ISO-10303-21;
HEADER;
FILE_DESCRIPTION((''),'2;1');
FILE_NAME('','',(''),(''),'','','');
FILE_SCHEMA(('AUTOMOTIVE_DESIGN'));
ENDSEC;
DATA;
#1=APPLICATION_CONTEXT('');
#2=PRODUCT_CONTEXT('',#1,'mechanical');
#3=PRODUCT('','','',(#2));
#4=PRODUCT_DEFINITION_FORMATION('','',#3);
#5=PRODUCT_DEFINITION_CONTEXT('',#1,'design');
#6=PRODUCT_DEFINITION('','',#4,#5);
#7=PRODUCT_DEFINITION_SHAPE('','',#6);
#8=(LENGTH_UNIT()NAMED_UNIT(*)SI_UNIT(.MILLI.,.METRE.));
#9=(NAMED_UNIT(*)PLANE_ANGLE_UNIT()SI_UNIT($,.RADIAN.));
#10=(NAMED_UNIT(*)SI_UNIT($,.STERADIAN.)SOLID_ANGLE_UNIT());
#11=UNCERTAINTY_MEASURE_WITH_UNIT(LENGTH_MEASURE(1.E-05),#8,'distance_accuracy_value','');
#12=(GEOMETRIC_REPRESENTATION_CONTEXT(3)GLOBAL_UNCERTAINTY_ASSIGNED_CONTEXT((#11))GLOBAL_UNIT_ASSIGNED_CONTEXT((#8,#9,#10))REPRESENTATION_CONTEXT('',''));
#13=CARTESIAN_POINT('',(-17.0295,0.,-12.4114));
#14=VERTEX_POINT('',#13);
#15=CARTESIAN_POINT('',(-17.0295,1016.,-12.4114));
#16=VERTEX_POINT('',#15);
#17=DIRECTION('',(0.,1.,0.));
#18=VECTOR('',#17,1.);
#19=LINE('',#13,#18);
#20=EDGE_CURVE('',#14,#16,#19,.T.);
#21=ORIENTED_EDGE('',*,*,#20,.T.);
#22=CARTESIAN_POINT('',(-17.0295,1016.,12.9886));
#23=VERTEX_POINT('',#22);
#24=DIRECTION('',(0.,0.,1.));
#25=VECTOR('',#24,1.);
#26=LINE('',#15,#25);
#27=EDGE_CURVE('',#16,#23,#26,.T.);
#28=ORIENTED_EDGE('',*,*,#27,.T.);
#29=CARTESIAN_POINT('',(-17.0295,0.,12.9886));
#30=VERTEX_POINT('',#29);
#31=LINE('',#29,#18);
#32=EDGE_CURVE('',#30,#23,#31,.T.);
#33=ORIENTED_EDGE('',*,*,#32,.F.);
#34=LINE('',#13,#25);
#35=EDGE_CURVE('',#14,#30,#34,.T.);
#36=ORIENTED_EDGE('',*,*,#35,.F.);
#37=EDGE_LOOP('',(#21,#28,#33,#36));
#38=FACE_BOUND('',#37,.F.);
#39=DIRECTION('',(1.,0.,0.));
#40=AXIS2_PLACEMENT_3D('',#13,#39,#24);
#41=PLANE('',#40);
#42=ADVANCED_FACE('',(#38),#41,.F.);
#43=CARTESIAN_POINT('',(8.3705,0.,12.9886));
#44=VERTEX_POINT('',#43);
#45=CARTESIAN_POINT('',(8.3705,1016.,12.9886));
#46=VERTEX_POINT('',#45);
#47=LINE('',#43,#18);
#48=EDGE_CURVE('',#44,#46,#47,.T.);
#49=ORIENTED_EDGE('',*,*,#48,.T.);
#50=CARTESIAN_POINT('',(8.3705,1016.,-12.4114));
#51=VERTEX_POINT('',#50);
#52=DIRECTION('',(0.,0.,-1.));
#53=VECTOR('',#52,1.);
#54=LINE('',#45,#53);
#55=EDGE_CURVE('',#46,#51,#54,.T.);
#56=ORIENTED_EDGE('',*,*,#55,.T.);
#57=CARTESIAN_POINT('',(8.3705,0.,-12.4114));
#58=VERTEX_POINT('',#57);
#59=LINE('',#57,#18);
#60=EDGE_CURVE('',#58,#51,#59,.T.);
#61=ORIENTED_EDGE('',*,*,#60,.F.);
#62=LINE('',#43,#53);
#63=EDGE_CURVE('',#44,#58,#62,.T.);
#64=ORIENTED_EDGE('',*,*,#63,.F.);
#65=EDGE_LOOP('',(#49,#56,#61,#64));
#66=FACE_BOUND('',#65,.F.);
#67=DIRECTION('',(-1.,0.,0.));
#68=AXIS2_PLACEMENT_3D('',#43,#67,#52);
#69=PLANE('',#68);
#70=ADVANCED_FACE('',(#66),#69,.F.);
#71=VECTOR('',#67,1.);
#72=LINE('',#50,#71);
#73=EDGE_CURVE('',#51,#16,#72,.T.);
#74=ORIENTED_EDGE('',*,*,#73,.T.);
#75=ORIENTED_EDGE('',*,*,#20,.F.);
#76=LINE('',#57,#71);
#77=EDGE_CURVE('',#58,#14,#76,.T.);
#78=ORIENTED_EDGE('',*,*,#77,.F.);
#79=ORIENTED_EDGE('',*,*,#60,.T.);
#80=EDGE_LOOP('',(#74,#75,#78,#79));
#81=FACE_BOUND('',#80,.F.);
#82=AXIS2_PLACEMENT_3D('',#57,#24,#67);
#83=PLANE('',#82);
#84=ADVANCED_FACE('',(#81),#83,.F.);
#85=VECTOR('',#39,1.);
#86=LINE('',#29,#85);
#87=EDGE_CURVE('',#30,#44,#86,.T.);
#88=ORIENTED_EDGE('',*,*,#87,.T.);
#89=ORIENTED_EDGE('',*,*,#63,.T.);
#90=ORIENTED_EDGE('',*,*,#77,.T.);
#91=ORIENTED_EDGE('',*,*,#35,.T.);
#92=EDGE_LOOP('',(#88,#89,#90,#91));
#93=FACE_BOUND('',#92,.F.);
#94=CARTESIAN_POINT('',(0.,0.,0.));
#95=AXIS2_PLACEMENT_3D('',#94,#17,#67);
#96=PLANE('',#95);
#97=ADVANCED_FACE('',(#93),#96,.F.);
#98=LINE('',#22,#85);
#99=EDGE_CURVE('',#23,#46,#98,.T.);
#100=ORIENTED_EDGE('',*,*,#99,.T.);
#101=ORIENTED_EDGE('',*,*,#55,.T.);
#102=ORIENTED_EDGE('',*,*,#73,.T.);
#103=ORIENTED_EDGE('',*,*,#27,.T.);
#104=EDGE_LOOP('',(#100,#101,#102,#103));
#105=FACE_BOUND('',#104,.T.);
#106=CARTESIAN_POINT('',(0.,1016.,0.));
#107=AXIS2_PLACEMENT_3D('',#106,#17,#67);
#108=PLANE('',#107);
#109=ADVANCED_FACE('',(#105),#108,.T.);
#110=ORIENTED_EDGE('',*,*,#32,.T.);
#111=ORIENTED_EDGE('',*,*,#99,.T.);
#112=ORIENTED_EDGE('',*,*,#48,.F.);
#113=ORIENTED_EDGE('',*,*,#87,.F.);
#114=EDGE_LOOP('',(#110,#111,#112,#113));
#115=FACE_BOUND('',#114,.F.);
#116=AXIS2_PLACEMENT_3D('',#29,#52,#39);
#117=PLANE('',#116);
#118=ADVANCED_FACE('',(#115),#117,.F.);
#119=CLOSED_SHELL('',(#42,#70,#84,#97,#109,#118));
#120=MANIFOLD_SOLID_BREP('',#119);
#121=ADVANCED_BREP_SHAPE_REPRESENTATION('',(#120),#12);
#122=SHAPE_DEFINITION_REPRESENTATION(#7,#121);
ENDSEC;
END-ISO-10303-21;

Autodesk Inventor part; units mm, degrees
ref_plane "YZ Plane" through (0, 0, 0) normal (1, 0, 0) x (0, 1, 0)
ref_plane "XZ Plane" through (0, 0, 0) normal (0, 1, 0) x (-1, 0, 0)
ref_plane "XY Plane" through (0, 0, 0) normal (0, 0, 1) x (1, 0, 0)
sketch "Sketch1" plane through (0, 0, 0) normal (0, 1, 0) x (-1, 0, 0)
  line L0 (17.0295, 12.9886) -> (-8.3705, 12.9886)
  line L1 (-8.3705, 12.9886) -> (-8.3705, -12.4114)
  line L2 (-8.3705, -12.4114) -> (17.0295, -12.4114)
  line L3 (17.0295, -12.4114) -> (17.0295, 12.9886)
  point P0 (0, 0)
  dimension "d0" = 25.4
  dimension "d1" = 25.4
extrude "Extrusion1" add sketch "Sketch1" along normal blind 1016
properties part number "FixedBeam"
